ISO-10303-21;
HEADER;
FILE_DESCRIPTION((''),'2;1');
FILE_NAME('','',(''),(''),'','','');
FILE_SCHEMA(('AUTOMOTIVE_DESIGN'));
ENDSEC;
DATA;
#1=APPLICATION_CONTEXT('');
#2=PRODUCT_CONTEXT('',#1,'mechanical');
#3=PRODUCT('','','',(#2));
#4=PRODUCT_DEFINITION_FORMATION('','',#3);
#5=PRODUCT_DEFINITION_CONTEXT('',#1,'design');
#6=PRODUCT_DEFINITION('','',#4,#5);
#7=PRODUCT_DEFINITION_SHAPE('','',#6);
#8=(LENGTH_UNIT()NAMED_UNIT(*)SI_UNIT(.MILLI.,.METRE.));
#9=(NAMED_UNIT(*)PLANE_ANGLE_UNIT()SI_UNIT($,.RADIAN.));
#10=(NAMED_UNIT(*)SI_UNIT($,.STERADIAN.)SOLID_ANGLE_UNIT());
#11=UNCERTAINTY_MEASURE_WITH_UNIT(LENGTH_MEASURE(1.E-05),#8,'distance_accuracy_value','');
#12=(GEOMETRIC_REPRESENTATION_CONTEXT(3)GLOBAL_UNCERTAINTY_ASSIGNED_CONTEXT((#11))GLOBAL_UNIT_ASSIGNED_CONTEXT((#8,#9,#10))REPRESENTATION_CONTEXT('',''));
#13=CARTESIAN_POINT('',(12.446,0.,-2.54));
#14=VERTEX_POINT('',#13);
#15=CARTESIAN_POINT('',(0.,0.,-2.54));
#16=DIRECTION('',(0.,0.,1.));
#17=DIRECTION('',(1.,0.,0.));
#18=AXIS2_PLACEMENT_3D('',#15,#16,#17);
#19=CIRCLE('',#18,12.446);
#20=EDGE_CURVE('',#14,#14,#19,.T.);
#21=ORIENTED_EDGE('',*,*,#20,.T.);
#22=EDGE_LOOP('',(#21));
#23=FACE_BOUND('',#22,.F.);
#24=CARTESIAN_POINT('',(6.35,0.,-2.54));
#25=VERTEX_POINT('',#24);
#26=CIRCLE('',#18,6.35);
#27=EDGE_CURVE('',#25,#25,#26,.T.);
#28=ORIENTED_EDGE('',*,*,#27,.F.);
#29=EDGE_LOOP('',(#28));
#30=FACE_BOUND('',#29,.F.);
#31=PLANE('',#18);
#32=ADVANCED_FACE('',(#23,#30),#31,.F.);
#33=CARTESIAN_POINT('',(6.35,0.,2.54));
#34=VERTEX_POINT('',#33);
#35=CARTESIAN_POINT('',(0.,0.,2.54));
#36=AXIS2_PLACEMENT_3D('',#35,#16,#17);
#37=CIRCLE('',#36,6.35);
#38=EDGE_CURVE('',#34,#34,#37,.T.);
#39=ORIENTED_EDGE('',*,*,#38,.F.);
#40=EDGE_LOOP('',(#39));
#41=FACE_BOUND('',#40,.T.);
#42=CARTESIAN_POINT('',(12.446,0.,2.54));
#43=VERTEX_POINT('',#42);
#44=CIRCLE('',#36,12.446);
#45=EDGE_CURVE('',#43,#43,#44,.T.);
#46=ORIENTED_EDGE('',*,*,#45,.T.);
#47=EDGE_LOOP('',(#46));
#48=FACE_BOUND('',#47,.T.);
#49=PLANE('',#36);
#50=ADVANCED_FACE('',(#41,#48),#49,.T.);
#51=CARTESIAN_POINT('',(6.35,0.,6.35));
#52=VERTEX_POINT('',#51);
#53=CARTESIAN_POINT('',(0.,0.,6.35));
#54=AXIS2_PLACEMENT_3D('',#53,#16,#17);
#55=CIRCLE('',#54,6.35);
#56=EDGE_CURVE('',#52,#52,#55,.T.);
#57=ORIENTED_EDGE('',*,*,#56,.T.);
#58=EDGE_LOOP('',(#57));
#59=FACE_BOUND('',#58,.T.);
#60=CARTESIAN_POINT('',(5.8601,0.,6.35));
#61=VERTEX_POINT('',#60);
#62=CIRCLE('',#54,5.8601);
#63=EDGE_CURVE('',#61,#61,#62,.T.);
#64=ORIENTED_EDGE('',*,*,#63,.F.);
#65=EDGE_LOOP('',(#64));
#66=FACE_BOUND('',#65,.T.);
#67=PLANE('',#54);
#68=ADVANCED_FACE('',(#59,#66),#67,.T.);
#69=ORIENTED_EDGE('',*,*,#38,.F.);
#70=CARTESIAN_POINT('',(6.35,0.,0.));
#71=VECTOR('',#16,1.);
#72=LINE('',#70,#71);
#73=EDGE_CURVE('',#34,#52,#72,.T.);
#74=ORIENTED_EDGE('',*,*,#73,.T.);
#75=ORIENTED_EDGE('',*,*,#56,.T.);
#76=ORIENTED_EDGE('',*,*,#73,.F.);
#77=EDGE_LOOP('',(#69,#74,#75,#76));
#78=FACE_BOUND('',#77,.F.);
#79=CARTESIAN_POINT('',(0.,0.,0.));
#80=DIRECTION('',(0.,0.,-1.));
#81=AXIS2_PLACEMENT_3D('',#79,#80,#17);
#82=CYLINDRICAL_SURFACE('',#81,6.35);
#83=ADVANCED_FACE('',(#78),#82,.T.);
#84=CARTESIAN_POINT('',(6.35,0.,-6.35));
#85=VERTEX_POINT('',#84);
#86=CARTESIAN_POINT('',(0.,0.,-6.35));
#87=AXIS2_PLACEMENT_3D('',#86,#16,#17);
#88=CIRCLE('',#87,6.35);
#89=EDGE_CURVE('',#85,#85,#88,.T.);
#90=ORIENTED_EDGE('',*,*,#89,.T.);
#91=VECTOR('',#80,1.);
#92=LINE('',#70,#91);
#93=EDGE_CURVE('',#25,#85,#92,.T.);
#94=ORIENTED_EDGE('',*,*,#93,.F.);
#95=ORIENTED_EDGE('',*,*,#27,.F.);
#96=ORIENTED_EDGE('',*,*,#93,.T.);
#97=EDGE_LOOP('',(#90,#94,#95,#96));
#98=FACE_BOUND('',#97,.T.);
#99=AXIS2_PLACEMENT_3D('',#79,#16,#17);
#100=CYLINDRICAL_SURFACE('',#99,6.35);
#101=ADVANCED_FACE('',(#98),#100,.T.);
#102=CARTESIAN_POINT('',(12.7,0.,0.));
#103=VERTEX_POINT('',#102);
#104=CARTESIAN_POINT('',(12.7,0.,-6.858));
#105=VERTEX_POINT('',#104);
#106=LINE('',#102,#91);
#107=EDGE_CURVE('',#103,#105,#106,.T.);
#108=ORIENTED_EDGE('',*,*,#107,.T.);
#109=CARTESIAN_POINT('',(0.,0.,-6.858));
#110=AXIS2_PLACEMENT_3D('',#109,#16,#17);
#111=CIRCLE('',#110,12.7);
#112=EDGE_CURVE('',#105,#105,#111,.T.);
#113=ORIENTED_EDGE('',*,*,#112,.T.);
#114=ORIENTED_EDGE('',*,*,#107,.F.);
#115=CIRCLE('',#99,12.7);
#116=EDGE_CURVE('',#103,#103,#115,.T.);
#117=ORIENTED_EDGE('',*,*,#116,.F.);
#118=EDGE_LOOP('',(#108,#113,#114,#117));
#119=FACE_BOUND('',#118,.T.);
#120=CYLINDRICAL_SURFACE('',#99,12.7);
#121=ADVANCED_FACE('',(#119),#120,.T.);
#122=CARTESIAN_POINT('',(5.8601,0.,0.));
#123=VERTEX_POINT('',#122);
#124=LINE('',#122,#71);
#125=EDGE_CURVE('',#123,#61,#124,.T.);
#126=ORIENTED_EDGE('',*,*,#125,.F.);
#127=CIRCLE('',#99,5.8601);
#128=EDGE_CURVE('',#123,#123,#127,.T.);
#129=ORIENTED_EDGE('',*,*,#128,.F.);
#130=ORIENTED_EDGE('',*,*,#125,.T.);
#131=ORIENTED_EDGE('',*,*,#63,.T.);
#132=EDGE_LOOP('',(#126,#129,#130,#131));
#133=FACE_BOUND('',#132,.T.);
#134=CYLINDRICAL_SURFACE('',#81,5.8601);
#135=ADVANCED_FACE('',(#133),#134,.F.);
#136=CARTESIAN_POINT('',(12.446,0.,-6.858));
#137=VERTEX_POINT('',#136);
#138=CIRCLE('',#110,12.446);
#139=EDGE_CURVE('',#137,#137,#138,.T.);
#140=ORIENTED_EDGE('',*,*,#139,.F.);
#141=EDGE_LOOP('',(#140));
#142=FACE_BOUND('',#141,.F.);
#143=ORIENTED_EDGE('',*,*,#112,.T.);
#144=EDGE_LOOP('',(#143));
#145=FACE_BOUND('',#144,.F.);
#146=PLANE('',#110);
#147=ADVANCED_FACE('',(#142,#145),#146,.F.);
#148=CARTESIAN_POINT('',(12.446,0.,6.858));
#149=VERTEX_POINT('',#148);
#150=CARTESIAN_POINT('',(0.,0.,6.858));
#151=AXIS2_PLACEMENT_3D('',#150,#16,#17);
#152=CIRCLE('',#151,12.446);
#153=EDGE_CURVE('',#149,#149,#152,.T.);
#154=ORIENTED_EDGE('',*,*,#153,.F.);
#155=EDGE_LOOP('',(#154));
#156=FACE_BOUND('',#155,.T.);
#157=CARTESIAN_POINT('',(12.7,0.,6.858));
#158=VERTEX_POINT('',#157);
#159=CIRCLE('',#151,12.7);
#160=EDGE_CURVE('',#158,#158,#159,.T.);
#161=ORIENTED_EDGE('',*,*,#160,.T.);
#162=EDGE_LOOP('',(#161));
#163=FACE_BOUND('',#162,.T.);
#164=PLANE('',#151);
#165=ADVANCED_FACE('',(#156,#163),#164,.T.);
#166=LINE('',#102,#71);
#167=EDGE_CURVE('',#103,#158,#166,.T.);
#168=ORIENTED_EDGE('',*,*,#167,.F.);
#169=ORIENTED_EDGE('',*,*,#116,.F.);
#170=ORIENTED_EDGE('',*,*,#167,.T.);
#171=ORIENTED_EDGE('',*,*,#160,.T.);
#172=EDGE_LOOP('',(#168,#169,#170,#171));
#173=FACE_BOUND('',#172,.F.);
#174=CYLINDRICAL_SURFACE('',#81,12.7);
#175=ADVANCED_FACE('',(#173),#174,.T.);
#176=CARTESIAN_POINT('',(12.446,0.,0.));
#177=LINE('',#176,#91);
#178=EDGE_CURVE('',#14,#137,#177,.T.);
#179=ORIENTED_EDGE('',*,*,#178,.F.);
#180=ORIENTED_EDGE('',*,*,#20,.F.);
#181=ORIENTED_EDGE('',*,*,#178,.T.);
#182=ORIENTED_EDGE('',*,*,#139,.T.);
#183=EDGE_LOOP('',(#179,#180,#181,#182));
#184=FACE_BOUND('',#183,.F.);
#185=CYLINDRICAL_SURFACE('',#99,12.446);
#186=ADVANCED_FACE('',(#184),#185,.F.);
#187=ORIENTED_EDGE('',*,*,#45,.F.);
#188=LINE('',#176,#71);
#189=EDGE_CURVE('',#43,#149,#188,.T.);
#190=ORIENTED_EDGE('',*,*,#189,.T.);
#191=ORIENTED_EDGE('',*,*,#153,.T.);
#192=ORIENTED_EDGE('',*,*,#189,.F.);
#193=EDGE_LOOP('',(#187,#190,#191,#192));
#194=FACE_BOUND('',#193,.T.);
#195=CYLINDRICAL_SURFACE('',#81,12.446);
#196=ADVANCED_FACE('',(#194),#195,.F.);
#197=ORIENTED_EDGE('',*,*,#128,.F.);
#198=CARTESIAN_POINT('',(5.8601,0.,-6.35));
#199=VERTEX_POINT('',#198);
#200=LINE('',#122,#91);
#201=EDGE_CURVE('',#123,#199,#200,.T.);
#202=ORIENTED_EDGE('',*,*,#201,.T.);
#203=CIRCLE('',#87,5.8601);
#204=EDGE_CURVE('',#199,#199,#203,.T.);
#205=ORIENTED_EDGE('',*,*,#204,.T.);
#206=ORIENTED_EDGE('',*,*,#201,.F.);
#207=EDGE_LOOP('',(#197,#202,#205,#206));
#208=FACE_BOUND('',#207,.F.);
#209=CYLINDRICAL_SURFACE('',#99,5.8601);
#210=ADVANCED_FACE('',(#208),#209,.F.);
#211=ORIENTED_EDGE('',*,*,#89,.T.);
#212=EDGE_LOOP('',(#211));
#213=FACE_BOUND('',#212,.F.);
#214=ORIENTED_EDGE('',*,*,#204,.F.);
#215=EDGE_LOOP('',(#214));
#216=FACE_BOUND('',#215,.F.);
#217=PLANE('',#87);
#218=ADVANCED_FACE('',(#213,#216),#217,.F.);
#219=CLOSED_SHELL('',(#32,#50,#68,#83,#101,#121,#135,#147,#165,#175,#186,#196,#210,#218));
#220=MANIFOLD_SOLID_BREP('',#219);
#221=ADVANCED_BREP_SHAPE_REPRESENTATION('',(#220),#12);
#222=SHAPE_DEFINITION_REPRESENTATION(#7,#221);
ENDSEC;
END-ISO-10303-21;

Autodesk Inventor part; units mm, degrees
ref_plane "YZ Plane" through (0, 0, 0) normal (1, 0, 0) x (0, 1, 0)
ref_plane "XZ Plane" through (0, 0, 0) normal (0, 1, 0) x (-1, 0, 0)
ref_plane "XY Plane" through (0, 0, 0) normal (0, 0, 1) x (1, 0, 0)
sketch "Sketch1" plane through (0, 0, 0) normal (0, 0, 1) x (1, 0, 0)
  circle A0 centre (0, 0) radius 12.7
  circle A1 centre (0, 0) radius 12.446
  circle A2 centre (0, 0) radius 6.35
  circle A3 centre (0, 0) radius 5.8601
  dimension "d1" = 25.4
  dimension "d2" = 24.892
  dimension "d3" = 12.7
extrude "Extrusion1" [suppressed]
extrude "Extrusion2" add sketch "Sketch1" along normal blind 6.858 and the other way blind 6.858 contours A0
extrude "Extrusion3" add sketch "Sketch1" along normal blind 2.54 and the other way blind 2.54 contours A1
extrude "Extrusion4" add sketch "Sketch1" along normal blind 6.35 and the other way blind 6.35 contours A2
fillet "Fillet1" [suppressed]
properties part number "plastic idler wheel base part"
